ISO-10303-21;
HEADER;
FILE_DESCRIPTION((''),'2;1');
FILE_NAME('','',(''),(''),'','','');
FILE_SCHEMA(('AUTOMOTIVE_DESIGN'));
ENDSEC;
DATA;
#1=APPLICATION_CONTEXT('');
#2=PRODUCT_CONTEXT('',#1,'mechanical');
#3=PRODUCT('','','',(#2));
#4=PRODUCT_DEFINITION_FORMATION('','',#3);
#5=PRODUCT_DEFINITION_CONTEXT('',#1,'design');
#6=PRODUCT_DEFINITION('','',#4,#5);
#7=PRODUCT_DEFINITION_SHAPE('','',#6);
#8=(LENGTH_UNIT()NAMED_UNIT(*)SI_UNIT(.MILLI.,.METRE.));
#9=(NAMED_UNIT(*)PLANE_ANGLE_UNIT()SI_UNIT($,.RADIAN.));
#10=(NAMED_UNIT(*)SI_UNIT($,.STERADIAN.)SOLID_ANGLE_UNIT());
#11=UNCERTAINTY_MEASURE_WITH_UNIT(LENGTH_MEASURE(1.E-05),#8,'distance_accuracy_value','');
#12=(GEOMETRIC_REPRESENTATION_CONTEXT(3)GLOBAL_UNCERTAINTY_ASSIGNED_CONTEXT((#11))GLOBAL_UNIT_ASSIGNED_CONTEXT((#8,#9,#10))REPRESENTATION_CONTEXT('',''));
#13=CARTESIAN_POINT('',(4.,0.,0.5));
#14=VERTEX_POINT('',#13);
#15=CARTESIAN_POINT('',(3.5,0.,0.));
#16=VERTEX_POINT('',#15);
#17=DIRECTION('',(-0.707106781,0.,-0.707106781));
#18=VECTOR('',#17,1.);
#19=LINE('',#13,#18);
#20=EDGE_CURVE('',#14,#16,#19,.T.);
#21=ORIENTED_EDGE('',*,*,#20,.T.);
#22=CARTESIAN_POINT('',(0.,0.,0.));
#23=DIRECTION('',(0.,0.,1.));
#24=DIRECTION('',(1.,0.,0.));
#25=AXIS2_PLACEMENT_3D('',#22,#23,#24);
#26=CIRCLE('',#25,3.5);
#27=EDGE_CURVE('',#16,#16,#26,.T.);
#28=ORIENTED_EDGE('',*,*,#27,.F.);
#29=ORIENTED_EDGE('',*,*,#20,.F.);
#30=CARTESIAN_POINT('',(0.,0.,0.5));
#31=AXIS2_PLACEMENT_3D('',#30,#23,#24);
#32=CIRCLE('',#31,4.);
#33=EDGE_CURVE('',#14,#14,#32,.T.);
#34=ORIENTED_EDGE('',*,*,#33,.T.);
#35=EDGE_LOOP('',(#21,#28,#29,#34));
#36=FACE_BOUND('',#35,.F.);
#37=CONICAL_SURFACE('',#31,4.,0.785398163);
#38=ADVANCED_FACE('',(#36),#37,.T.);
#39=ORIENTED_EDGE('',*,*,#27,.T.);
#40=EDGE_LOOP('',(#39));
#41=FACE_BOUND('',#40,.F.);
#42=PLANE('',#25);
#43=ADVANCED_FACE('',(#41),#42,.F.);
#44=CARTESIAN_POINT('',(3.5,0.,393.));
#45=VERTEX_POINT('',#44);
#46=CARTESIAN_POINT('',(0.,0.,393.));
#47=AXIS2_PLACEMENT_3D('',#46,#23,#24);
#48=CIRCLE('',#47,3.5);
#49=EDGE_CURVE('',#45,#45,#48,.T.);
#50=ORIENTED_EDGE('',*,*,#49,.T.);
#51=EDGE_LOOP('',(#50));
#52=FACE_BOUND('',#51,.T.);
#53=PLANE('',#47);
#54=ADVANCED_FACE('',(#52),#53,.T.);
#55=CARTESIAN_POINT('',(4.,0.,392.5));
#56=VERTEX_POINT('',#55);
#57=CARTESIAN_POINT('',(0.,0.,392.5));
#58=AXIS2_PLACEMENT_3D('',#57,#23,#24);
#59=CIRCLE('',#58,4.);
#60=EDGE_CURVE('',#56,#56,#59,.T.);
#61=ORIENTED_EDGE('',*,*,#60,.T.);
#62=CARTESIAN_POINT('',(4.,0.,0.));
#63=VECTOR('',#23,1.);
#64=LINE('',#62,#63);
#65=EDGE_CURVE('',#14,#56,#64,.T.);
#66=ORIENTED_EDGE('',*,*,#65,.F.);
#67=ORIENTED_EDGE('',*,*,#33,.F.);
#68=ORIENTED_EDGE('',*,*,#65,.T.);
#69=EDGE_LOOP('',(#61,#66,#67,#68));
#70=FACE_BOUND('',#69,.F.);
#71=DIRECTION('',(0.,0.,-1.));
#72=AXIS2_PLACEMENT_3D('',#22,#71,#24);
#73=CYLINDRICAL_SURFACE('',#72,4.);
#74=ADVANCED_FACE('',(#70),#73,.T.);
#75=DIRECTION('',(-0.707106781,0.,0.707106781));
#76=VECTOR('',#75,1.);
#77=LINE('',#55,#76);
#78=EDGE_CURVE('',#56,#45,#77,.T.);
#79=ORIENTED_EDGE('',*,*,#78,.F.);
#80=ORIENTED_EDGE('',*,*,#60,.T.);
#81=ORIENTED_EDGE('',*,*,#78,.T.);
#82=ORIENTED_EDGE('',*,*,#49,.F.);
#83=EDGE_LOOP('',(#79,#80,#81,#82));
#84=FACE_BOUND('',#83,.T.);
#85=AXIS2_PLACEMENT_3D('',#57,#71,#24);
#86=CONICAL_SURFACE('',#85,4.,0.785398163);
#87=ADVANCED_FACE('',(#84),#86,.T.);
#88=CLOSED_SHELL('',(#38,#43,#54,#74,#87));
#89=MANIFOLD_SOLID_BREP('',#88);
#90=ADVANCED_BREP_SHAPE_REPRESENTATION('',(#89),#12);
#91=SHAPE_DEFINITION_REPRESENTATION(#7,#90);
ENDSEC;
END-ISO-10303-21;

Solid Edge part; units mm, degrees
sketch "Sketch1" plane through (0, 0, 0) normal (0, 0, 1) x (1, 0, 0)
  circle A0 centre (0, 0) radius 4
  dimension "D1" = 8
extrude "Protrusion1" add sketch "Sketch1" along normal blind 393
chamfer "Chamfer_1" distance 0.5 angle 45 2 edges at (-4, 0, 0) (-4, 0, 393)
cosmetic_thread "Thread1" size "Tr 8 x 2"
